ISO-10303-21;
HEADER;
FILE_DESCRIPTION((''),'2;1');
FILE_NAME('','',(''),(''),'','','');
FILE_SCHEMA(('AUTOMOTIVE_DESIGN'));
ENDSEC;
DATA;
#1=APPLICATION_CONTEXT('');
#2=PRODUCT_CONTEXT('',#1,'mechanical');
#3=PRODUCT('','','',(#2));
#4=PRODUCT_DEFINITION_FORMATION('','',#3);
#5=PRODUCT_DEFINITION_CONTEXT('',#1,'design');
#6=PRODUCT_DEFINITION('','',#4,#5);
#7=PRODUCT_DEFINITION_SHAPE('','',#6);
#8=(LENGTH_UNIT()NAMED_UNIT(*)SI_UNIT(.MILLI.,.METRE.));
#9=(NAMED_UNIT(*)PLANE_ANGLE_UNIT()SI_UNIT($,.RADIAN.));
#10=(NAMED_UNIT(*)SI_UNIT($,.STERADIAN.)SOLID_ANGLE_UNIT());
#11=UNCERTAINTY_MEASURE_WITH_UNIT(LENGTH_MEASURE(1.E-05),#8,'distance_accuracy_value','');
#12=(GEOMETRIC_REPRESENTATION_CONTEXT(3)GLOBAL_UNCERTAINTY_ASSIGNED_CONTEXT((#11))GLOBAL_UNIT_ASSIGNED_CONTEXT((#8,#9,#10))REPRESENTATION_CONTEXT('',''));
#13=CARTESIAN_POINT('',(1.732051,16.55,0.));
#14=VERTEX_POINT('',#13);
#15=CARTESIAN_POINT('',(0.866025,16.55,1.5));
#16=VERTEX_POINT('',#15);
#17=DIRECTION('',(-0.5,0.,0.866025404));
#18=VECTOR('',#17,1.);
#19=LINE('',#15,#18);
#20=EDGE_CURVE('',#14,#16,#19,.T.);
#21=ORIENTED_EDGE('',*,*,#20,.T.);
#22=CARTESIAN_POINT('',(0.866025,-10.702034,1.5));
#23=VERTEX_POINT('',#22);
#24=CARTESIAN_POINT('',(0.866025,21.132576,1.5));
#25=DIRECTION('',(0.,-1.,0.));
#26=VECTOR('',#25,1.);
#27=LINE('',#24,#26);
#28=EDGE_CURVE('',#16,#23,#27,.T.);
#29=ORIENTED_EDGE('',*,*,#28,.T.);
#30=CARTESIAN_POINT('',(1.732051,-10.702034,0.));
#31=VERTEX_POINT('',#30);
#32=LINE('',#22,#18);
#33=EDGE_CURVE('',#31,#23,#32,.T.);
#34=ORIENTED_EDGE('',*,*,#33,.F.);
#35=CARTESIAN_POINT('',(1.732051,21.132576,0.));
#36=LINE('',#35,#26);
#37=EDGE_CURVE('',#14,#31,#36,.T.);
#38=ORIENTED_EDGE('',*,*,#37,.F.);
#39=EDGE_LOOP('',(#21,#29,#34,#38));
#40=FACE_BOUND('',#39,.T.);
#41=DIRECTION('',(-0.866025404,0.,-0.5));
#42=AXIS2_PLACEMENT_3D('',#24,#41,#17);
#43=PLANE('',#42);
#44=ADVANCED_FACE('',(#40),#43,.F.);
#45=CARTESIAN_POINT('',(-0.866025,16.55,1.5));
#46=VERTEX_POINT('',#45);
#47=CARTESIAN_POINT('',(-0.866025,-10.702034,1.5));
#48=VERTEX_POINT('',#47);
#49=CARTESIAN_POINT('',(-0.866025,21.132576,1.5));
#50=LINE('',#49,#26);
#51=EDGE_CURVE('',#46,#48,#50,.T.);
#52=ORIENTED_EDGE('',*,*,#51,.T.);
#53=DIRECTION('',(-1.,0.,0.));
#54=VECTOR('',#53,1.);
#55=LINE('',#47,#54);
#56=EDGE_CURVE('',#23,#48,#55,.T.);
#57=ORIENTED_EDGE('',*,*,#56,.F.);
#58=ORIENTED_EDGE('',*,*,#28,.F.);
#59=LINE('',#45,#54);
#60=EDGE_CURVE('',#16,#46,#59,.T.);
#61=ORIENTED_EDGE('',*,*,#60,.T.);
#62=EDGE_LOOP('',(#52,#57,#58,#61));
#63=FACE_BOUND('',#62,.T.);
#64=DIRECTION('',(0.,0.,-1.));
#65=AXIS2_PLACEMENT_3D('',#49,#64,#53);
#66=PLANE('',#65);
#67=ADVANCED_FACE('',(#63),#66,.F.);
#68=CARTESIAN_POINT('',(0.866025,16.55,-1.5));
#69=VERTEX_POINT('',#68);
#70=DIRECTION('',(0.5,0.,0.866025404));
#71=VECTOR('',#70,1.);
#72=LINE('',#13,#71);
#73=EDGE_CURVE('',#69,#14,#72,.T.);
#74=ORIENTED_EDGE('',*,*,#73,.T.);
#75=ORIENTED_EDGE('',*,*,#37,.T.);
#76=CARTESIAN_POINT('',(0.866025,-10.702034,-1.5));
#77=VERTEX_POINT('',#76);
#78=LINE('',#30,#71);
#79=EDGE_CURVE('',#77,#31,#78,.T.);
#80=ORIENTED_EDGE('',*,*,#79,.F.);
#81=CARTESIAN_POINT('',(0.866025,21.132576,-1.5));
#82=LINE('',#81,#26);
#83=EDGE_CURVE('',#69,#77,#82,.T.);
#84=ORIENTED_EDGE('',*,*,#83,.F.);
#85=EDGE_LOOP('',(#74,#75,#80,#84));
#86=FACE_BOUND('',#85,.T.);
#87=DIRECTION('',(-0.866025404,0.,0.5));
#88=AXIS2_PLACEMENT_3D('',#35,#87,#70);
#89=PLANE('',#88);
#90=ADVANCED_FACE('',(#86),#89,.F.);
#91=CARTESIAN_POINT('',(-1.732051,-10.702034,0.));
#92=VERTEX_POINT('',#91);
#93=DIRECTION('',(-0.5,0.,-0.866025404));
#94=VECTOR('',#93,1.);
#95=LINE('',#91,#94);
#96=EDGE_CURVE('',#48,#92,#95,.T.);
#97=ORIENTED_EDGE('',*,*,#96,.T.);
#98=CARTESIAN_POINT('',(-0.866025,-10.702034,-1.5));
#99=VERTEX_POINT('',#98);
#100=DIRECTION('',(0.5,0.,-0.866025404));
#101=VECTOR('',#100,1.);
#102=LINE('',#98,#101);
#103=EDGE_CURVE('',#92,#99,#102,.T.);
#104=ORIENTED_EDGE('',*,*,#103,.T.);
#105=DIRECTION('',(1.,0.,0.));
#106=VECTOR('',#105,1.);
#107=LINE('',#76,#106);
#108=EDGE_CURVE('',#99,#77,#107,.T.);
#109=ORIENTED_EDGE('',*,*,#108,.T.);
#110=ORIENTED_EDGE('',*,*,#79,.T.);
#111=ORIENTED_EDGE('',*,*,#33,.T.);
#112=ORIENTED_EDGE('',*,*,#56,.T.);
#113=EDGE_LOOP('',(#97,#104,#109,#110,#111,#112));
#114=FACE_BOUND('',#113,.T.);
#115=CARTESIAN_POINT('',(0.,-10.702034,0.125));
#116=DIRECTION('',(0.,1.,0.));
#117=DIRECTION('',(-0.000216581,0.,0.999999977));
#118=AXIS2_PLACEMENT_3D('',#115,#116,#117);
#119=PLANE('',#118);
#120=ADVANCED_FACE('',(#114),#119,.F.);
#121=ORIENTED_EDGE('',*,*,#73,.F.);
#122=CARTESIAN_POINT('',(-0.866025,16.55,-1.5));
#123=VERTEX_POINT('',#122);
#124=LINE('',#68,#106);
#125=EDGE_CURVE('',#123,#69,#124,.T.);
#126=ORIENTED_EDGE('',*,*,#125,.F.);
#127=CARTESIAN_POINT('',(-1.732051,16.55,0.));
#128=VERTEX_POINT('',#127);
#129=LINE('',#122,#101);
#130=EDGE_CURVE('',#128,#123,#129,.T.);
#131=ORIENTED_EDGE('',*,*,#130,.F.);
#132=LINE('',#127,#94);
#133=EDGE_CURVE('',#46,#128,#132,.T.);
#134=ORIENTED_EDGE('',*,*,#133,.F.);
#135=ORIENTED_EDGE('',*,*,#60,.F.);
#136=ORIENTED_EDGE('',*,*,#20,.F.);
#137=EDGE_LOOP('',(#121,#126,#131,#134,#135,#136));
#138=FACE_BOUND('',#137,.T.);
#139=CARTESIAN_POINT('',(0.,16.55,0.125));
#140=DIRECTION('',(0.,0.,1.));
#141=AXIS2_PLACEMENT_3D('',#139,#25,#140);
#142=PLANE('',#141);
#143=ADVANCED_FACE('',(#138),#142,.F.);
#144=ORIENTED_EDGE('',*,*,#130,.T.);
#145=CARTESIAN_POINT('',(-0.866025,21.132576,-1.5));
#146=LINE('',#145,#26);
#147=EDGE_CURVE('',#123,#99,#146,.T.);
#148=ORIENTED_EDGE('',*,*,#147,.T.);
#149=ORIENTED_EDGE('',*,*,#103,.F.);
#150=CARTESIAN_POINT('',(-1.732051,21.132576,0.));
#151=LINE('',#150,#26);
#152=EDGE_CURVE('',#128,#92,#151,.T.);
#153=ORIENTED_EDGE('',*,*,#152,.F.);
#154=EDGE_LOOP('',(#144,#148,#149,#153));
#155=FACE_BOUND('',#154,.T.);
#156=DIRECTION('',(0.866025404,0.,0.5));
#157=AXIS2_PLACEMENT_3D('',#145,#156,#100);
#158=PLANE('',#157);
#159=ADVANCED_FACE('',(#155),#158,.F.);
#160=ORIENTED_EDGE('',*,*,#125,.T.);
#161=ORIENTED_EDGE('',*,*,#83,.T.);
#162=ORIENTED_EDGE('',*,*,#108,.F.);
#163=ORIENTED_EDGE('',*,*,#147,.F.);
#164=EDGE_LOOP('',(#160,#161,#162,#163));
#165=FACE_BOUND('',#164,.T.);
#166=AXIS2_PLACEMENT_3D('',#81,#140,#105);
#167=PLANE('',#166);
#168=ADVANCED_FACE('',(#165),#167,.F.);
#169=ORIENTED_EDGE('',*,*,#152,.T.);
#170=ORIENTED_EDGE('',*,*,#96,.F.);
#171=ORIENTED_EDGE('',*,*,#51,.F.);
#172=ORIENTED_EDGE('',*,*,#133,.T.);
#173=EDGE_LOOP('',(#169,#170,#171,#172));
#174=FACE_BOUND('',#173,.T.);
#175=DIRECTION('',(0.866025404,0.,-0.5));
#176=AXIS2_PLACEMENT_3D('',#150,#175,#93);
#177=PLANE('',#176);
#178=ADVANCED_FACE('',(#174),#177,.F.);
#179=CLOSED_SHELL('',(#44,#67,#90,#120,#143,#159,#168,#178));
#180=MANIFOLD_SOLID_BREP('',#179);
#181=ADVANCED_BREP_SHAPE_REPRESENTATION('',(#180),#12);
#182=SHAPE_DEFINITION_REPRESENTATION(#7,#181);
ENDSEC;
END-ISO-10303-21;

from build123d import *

# Parameters (mm, degrees)
BOSS_EXTRUDE1_DEPTH      = 16.55
BOSS_EXTRUDE1_DEPTH_BACK = 10.702034


with BuildPart() as part:
    # Sketch1 → Boss-Extrude1 (new, two sides: drawn at the far end of the back side and taken through both)
    with BuildSketch(Plane(origin=(0, 0, 0), x_dir=(1, 0, 0), z_dir=(0, 1, 0)).offset(-BOSS_EXTRUDE1_DEPTH_BACK)):
        Polygon((1.732050808, 0), (0.866025404, 1.5), (-0.866025404, 1.5), (-1.732050808, 0), (-0.866025404, -1.5), (0.866025404, -1.5), align=None)
    extrude(amount=BOSS_EXTRUDE1_DEPTH + BOSS_EXTRUDE1_DEPTH_BACK)


solid = part.part
